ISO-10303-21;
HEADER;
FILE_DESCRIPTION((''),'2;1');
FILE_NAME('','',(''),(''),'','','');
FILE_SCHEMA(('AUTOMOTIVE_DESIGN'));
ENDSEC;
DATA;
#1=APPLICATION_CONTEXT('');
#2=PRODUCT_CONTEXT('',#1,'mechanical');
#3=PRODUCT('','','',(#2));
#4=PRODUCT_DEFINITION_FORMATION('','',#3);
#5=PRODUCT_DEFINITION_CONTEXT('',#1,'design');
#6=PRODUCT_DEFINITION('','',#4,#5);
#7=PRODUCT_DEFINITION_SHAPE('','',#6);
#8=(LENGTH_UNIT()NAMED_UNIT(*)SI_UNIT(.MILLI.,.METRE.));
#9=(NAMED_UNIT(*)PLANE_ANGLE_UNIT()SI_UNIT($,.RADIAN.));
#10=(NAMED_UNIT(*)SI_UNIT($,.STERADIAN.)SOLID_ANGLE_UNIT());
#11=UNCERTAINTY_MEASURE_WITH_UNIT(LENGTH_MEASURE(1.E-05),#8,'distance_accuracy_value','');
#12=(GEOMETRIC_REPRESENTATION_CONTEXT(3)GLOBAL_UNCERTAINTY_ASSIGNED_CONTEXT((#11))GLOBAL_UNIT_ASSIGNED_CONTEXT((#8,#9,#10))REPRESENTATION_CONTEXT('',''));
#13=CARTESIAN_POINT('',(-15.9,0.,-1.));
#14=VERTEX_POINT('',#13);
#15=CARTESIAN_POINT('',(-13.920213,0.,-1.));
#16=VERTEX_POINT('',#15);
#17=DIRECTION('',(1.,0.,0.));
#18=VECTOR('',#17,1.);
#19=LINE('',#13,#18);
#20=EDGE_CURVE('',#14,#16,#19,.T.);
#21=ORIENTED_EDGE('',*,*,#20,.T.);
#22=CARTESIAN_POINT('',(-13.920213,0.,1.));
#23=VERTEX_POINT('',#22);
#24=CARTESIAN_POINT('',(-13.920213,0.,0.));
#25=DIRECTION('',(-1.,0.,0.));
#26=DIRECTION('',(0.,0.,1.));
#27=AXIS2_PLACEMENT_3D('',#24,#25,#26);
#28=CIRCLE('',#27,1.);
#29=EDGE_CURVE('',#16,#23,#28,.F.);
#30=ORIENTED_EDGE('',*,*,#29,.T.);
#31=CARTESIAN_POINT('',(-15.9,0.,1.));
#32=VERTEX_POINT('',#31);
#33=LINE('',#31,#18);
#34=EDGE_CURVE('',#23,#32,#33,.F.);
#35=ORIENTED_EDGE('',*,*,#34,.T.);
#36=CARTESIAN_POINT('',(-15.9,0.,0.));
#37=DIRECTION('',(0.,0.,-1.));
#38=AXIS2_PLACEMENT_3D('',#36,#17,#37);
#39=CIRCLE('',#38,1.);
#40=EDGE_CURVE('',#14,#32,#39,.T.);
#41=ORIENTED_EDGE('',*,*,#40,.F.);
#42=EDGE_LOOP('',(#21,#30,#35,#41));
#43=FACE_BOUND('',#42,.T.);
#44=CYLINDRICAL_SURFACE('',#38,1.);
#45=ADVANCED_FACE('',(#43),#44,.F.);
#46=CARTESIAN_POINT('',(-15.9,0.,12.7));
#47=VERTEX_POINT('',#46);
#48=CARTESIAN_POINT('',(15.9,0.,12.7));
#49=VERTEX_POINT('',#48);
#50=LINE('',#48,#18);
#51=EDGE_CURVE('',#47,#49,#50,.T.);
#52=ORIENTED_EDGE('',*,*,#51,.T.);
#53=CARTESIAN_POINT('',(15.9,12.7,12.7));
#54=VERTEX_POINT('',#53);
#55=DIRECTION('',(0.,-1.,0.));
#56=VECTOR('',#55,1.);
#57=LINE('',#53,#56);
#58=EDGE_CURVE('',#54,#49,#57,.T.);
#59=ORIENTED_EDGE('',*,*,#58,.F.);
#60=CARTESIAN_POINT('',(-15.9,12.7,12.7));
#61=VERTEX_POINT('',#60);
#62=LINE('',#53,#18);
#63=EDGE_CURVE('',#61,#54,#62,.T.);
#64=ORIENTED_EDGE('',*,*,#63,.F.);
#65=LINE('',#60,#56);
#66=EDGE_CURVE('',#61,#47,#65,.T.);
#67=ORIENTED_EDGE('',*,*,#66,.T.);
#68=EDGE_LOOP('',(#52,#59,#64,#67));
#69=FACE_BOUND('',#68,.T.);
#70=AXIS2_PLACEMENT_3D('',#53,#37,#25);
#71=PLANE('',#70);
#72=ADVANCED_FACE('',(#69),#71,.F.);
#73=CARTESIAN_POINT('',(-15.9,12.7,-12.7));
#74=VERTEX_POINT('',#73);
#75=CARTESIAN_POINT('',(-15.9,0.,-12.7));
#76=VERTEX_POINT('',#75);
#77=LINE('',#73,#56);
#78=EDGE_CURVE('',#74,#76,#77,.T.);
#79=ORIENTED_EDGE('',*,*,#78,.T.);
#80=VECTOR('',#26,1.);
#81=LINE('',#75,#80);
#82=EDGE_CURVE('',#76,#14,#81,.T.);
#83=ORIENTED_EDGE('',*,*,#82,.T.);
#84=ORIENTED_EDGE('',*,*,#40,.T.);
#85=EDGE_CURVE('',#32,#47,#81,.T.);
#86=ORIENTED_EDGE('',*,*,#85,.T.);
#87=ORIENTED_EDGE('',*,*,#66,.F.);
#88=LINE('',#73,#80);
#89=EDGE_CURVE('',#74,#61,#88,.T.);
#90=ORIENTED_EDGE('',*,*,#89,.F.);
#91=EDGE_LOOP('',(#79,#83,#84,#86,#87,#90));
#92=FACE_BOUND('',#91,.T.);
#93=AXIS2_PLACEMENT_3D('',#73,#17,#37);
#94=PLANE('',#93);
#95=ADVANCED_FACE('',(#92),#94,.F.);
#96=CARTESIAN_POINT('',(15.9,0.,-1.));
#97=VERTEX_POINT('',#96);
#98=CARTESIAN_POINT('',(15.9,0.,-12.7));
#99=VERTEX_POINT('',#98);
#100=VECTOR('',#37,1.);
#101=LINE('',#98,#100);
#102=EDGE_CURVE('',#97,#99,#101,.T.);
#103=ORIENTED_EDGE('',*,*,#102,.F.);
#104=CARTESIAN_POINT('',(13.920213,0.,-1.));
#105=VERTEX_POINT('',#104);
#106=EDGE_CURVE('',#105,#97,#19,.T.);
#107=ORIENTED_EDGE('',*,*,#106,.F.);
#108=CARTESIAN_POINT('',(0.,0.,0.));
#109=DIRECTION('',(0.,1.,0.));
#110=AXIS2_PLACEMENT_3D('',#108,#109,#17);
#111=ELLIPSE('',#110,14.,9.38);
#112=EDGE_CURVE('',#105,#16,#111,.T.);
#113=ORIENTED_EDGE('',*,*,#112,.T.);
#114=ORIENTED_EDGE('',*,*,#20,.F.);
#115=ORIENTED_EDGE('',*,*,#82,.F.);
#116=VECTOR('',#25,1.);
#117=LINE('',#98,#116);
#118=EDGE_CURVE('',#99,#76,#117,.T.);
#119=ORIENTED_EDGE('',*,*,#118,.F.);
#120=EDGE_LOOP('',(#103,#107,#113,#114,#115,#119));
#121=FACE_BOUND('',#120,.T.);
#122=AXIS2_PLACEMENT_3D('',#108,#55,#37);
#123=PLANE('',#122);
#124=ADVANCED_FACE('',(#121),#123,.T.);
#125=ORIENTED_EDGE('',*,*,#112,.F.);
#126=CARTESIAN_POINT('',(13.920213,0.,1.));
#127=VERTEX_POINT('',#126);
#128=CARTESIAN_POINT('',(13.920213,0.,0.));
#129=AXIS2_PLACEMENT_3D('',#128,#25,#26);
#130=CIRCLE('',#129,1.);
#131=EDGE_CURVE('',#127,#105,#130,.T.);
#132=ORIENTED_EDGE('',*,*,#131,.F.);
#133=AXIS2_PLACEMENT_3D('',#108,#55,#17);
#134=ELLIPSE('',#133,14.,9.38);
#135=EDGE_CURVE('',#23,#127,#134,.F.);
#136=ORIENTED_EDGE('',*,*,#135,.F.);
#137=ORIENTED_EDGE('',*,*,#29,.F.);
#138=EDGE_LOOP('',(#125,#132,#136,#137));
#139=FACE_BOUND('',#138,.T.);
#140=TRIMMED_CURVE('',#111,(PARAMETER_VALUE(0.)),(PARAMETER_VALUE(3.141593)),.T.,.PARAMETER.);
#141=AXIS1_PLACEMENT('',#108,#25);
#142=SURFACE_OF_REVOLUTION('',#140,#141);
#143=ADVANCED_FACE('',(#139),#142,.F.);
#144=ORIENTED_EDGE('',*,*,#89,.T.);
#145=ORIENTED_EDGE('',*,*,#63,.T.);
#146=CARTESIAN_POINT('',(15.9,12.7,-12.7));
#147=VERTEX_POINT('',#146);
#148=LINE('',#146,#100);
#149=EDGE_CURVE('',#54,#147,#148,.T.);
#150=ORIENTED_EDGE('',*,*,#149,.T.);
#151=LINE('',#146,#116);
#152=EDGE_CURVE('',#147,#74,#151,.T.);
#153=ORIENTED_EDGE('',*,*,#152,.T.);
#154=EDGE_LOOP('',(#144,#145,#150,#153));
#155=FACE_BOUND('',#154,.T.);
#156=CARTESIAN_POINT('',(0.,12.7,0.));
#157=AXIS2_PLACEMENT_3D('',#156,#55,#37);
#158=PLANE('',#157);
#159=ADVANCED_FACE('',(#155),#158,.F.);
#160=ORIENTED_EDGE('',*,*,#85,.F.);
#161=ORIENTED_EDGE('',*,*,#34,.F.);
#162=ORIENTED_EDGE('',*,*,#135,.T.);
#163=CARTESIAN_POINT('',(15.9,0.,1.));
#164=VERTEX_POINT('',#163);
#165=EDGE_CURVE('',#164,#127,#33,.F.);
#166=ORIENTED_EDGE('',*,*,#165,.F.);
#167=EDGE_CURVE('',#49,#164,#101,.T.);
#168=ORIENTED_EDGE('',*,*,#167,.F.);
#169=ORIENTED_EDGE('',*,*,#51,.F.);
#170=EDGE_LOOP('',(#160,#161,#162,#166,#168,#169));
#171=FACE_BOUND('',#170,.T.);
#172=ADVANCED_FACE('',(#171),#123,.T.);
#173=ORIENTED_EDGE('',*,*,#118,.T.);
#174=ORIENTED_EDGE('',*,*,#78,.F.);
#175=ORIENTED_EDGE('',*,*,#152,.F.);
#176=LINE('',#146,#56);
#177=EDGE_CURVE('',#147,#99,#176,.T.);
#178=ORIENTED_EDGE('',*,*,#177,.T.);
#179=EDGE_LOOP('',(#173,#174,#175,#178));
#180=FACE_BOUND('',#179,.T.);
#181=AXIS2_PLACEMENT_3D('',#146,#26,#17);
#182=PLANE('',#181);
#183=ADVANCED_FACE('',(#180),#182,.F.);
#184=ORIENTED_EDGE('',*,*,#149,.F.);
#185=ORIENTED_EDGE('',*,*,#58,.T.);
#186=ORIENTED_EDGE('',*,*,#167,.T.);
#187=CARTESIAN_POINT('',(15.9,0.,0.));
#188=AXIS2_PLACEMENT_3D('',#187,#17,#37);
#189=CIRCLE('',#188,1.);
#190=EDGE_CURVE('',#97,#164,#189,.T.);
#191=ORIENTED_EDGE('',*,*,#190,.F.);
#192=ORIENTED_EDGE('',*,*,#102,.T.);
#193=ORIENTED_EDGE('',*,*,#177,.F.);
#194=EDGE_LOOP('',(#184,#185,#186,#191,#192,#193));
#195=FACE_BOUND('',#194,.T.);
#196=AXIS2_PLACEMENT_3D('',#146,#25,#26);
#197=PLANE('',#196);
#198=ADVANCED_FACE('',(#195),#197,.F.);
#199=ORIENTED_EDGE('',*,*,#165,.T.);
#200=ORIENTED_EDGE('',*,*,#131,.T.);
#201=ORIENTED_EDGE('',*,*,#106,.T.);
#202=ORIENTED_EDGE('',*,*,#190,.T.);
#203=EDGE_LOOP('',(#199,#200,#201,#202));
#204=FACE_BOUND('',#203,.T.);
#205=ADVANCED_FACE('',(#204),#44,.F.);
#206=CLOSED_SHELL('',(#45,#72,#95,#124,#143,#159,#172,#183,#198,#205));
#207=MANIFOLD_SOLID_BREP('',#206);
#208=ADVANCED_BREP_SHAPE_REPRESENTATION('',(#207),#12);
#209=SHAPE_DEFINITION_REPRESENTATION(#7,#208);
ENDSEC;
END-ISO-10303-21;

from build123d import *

# Parameters (mm, degrees)
SKETCH1_W           = 31.8
SKETCH1_H           = 25.4
BOSS_EXTRUDE1_DEPTH = 12.7
CUT_REVOLVE8_ANGLE  = 360
SKETCH7_R           = 1
CUT_EXTRUDE1_DEPTH  = 32.8000001


with BuildPart() as part:
    # Sketch1 → Boss-Extrude1 (new body)
    with BuildSketch(Plane(origin=(0, 0, 0), x_dir=(1, 0, 0), z_dir=(0, 1, 0))):
        Rectangle(SKETCH1_W, SKETCH1_H)
    extrude(amount=BOSS_EXTRUDE1_DEPTH)

    # Sketch2 → Cut-Revolve8 (revolve, symmetric, cut)
    with BuildSketch(Plane.XZ) as cut_revolve8_sk:
        with BuildLine():
            Line((-14, 0), (14, 0))
            add(Edge.make_bspline(
                [(14, 0), (14, 9.38), (0, 9.38)],
                knots=[3.141592654, 3.141592654, 3.141592654, 4.71238898, 4.71238898, 4.71238898], degree=2, weights=[1, 0.707106781, 1]))
            add(Edge.make_bspline(
                [(0, 9.38), (-14, 9.38), (-14, 0)],
                knots=[1.570796327, 1.570796327, 1.570796327, 3.141592654, 3.141592654, 3.141592654], degree=2, weights=[1, 0.707106781, 1]))
        make_face()
    revolve(axis=Axis((0, 0, 0), (1, 0, 0)), revolution_arc=CUT_REVOLVE8_ANGLE / 2, mode=Mode.SUBTRACT)
    revolve(cut_revolve8_sk.sketch, axis=Axis((0, 0, 0), (-1, 0, 0)), revolution_arc=CUT_REVOLVE8_ANGLE / 2, mode=Mode.SUBTRACT)

    # Sketch7 → Cut-Extrude1 (cut, through all)
    with BuildSketch(Plane(origin=(15.9, 0, 0), x_dir=(0, 0, -1), z_dir=(1, 0, 0))):
        Circle(SKETCH7_R)
    extrude(amount=-CUT_EXTRUDE1_DEPTH, mode=Mode.SUBTRACT)


solid = part.part
